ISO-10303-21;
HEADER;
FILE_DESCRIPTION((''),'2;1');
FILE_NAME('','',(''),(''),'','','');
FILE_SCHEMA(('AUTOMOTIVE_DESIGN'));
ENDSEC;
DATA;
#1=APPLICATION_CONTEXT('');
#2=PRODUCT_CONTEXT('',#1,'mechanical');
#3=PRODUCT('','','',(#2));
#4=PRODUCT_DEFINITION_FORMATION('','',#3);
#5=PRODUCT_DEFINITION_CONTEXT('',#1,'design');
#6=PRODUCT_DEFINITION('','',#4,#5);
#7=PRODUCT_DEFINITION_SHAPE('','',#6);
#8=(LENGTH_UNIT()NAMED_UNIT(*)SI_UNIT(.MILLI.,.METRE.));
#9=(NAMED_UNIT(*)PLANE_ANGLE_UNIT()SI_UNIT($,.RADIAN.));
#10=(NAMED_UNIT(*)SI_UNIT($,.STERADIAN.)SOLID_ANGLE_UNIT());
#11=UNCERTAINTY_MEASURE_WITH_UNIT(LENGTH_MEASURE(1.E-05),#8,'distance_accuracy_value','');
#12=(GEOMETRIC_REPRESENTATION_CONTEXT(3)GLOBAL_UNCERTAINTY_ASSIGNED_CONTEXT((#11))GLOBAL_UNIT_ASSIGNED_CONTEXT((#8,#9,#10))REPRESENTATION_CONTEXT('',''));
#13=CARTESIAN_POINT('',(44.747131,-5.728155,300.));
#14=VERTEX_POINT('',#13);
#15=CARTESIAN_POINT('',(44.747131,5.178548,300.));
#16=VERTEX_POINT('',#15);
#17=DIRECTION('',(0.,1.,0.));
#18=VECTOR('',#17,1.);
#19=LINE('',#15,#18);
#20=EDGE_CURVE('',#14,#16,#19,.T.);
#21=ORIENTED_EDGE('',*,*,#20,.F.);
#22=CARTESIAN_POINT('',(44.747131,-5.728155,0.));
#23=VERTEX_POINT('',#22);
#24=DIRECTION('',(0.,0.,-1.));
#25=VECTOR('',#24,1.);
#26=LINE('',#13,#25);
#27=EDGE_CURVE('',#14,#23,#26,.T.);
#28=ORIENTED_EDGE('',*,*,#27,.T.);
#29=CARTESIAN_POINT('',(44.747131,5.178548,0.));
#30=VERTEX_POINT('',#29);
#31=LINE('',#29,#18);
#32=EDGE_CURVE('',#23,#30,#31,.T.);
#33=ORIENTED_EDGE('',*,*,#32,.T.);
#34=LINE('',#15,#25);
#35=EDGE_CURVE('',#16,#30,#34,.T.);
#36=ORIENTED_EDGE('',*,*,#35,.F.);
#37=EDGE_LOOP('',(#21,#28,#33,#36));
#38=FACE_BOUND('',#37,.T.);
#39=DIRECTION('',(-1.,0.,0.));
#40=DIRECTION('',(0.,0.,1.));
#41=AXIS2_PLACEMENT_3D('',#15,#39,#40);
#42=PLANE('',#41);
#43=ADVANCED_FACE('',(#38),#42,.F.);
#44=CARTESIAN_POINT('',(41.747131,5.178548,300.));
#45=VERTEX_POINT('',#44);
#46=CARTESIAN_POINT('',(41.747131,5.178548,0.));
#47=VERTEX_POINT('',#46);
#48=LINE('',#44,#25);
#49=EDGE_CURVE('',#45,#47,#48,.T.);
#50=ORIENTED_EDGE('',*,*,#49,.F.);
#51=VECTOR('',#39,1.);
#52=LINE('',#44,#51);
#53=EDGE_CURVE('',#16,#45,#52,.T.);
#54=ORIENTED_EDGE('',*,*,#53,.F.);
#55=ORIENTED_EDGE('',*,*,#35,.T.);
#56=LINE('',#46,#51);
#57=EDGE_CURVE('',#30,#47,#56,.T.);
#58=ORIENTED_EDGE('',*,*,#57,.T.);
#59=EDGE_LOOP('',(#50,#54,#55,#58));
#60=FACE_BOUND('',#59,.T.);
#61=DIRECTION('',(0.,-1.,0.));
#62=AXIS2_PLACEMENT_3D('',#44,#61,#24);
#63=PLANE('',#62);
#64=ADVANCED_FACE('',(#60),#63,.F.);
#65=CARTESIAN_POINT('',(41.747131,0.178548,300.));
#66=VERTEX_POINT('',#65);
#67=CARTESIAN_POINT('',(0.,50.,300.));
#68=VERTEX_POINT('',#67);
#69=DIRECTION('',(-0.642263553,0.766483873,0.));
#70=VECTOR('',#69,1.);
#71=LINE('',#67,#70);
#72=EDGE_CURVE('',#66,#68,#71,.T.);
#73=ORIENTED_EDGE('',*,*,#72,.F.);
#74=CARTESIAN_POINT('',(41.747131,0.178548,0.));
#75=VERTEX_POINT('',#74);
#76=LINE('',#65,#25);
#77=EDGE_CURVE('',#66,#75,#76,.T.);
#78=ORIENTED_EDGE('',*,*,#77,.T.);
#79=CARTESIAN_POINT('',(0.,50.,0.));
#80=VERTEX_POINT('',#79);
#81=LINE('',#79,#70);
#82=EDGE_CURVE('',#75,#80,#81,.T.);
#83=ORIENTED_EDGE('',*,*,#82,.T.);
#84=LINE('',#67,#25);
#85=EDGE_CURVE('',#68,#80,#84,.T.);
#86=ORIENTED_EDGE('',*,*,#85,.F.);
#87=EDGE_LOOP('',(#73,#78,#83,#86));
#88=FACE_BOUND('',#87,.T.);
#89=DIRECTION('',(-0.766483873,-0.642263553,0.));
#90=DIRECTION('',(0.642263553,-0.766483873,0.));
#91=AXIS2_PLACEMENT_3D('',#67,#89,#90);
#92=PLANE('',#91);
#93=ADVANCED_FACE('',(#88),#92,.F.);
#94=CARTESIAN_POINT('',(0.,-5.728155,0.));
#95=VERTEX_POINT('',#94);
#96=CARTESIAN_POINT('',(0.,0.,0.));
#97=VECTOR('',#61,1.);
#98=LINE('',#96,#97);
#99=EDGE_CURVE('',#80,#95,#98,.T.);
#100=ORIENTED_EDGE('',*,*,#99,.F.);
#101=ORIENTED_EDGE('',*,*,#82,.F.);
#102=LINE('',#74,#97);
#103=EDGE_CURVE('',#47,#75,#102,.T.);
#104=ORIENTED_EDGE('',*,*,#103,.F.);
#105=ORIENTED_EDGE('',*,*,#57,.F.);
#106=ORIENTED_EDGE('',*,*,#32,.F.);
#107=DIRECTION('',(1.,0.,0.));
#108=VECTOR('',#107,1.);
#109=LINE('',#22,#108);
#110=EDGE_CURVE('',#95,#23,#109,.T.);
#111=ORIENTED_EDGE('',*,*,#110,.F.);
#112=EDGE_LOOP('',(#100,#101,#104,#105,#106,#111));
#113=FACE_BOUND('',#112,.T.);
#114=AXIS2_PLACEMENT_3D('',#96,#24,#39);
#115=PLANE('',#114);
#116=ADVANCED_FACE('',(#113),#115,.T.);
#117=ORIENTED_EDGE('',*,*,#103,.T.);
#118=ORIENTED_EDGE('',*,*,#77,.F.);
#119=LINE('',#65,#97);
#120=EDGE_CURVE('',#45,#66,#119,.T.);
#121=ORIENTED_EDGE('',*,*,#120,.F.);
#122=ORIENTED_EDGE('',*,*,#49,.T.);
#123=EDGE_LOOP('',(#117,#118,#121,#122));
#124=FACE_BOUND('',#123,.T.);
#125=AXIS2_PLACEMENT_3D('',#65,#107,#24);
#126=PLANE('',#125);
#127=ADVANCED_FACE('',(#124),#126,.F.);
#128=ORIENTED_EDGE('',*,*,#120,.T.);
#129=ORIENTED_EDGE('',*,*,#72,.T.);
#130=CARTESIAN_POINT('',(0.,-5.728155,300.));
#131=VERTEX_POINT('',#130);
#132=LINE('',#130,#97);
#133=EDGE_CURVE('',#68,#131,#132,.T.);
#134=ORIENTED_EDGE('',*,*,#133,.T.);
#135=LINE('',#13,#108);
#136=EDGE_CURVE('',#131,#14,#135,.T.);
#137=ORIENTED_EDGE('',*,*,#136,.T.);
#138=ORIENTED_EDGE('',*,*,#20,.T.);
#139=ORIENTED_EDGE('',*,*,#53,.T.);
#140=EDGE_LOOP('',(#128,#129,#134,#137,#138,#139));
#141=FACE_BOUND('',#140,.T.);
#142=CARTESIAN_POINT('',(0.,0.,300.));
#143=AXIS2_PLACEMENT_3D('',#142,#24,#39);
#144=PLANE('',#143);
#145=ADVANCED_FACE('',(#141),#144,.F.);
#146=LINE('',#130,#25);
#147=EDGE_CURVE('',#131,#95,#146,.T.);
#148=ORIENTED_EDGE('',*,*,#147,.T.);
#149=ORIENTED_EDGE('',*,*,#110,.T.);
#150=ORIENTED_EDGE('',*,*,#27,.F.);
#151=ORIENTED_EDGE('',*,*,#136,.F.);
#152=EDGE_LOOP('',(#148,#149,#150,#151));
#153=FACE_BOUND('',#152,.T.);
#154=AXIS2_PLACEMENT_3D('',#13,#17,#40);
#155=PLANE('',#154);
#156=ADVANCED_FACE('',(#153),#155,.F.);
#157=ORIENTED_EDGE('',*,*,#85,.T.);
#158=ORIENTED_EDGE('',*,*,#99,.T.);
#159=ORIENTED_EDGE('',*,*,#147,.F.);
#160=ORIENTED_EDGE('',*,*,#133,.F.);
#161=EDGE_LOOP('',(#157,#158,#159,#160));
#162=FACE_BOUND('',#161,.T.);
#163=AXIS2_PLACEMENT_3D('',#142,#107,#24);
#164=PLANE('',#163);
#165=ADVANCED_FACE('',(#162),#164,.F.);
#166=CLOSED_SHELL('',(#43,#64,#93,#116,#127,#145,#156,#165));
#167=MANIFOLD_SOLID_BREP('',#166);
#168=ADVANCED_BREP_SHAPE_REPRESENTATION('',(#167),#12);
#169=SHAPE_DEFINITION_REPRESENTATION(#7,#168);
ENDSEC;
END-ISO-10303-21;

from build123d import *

# Parameters (mm, degrees)
BOSS_EXTRUDE1_DEPTH = 300


with BuildPart() as part:
    # Sketch3 → Boss-Extrude1 (new body)
    with BuildSketch(Plane.XY):
        Polygon((0, 0), (0, 50), (41.747130959, 0.178548228), (41.747130959, 5.178548228), (44.747130959, 5.178548228), (44.747130959, -5.72815534), (0, -5.72815534), align=None)
    extrude(amount=BOSS_EXTRUDE1_DEPTH)


solid = part.part
